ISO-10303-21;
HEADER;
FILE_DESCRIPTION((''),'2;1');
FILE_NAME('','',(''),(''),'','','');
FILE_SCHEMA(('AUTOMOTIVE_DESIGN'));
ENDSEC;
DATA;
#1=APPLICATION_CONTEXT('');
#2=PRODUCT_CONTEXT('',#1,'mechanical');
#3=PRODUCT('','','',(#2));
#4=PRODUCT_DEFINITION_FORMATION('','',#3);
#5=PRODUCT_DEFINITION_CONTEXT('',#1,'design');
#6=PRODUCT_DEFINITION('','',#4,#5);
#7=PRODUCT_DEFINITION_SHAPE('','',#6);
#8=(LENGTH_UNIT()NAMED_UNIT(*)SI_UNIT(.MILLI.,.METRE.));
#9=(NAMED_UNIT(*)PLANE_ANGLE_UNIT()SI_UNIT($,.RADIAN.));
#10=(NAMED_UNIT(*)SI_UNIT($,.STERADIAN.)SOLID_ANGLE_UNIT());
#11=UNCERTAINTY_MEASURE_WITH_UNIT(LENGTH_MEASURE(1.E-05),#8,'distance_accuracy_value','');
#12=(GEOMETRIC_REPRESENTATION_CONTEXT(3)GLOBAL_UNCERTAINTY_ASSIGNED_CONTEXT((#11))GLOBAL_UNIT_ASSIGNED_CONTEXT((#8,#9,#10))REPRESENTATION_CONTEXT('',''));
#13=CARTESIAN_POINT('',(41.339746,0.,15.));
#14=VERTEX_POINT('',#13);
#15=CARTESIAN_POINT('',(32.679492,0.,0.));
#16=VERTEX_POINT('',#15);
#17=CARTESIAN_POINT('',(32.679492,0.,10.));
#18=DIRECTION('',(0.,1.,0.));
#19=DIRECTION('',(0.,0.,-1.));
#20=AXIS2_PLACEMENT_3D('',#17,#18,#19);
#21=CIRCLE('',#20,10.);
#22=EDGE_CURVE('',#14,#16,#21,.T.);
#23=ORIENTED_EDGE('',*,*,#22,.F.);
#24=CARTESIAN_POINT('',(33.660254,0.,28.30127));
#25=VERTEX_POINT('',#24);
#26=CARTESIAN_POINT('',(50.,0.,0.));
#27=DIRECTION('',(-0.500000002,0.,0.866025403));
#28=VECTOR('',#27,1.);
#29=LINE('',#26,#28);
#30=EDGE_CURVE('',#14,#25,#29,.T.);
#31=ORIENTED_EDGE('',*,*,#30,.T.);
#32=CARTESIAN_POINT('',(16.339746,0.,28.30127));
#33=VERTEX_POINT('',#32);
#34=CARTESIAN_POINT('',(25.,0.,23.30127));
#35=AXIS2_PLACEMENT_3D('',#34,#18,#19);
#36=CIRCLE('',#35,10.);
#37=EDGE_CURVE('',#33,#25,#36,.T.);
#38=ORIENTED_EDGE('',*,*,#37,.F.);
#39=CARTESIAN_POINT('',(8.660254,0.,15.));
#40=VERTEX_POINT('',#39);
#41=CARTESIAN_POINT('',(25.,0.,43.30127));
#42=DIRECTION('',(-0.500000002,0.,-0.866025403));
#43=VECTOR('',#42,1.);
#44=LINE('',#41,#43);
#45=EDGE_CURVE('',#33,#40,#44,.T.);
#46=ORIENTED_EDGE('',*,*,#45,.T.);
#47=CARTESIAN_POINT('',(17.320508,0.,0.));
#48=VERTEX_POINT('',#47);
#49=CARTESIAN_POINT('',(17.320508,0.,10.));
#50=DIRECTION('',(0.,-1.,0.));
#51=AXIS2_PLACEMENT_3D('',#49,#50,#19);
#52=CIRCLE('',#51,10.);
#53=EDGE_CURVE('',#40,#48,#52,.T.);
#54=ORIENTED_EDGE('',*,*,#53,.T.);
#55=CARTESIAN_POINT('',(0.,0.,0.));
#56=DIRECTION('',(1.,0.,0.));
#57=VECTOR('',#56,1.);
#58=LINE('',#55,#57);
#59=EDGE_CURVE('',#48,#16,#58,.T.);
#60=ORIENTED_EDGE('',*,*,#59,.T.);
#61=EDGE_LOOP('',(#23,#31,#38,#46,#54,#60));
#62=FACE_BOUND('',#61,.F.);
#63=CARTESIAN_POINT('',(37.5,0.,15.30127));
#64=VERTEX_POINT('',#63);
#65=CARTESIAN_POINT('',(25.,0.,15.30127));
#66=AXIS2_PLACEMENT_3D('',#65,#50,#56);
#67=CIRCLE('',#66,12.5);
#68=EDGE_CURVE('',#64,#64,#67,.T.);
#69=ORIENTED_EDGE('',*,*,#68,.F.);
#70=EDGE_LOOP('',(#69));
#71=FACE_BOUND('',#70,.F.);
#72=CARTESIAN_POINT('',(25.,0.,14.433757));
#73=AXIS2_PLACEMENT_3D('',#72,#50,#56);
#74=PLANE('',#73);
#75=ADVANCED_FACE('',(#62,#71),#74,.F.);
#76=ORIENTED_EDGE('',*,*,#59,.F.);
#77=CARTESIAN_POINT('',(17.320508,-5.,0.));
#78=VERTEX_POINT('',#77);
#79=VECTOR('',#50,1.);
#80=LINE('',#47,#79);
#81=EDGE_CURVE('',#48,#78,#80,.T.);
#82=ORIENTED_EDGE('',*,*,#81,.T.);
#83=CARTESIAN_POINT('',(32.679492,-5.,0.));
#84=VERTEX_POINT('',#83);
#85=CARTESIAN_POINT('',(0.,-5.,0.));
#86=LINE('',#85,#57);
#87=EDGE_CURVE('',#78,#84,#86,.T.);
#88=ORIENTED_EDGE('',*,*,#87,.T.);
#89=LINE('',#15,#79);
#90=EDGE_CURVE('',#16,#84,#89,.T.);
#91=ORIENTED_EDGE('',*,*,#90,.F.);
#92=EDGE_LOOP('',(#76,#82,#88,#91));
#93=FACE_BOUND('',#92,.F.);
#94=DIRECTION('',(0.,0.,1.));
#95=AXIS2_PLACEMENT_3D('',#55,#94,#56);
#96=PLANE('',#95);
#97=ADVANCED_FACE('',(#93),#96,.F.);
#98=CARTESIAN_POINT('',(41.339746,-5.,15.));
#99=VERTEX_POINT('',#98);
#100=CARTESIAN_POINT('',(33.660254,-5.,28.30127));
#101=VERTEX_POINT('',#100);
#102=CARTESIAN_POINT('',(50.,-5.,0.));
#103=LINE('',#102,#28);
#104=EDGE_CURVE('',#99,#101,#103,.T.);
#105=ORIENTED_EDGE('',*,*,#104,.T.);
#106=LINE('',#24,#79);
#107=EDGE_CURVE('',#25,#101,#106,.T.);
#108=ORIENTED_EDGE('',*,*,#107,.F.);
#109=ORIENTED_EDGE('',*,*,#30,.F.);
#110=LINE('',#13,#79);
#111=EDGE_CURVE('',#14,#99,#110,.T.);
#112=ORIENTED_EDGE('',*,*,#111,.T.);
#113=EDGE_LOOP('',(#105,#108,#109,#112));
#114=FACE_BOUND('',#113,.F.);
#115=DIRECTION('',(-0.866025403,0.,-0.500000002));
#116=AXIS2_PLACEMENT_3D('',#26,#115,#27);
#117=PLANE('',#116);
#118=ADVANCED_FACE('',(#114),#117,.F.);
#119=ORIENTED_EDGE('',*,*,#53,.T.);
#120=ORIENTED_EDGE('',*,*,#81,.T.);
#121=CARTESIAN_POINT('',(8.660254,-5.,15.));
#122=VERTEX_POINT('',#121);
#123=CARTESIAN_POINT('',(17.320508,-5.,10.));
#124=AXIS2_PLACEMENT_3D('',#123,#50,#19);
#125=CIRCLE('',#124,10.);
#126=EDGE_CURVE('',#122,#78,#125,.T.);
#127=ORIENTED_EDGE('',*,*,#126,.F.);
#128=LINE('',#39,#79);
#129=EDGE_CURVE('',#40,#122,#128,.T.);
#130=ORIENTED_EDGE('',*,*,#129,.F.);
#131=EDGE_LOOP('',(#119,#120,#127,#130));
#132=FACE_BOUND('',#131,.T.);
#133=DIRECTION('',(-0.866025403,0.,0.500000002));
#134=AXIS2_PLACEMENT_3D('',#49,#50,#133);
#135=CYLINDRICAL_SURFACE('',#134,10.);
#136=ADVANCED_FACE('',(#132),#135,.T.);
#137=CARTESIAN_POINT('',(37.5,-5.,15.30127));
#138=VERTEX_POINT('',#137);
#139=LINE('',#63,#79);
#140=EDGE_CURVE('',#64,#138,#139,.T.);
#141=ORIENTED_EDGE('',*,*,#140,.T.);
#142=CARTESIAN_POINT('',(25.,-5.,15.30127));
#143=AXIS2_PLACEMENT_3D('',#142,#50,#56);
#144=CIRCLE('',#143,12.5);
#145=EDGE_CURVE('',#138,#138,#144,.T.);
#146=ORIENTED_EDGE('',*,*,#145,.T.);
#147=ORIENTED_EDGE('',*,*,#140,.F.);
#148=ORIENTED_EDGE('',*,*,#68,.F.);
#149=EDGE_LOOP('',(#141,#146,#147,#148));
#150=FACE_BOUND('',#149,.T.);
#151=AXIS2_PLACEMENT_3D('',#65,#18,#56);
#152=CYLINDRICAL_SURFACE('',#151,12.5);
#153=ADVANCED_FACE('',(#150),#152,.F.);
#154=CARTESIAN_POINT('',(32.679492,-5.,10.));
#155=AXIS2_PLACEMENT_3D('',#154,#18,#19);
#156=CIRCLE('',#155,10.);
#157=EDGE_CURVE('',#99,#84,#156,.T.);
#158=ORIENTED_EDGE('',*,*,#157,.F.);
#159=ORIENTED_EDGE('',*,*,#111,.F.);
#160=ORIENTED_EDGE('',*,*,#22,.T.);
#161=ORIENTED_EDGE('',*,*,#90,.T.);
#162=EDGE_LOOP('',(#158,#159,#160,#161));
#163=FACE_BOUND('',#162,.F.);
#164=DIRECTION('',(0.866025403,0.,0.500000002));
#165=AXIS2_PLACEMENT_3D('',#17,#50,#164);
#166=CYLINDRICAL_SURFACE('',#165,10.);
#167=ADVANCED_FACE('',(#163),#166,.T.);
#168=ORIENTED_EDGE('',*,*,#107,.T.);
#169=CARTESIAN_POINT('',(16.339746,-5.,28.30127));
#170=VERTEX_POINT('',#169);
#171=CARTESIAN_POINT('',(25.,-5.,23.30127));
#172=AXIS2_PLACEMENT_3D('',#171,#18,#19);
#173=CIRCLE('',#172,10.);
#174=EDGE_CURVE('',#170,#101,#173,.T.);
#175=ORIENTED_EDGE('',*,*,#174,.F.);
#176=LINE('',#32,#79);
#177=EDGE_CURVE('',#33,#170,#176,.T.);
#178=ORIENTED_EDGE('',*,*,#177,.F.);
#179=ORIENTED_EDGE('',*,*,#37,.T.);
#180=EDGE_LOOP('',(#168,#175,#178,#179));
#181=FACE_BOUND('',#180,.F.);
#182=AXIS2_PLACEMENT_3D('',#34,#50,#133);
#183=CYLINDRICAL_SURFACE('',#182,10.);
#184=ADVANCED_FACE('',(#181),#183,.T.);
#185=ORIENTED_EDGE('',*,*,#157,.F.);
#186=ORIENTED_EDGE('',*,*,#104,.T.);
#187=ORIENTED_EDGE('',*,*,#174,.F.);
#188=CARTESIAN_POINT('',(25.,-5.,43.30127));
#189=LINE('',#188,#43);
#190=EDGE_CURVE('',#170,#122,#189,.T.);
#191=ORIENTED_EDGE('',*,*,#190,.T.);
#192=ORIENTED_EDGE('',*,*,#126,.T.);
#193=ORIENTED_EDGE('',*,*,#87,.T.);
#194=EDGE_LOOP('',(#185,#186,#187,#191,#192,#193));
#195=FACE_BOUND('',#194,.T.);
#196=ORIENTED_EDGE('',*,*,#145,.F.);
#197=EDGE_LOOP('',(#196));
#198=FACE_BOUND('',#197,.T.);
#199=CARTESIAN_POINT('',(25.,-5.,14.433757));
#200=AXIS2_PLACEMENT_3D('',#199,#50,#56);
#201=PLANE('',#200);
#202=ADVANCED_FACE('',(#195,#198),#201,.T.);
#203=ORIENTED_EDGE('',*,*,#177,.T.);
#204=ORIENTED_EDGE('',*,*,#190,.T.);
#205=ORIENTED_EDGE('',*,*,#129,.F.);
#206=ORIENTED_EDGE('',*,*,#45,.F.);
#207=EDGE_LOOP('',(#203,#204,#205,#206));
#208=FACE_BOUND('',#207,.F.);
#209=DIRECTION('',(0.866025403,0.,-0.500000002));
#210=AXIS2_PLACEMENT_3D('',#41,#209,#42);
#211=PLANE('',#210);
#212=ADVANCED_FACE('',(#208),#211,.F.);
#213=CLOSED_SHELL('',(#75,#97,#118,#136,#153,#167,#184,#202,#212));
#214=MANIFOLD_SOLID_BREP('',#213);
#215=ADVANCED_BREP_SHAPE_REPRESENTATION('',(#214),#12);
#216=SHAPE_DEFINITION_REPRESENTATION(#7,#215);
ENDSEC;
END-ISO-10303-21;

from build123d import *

# Parameters (mm, degrees)
F0_R     = 12.5
F1_DEPTH = 5
F2_R     = 10


with BuildPart() as f1:
    # F0 (on Front) → F1 (new body)
    with BuildSketch(Plane.XZ):
        Polygon((25, 43.30127), (0, 0), (50, 0), align=None)
        with Locations((25, 15.30127)):
            Circle(F0_R, mode=Mode.SUBTRACT)
    extrude(amount=F1_DEPTH)

    # F2
    f2_edges = [f1.edges().sort_by_distance(p)[0] for p in [
        (25, -2.5, 43.30127),
        (0, -2.5, 0),
        (50, -2.5, 0),
    ]]
    fillet(f2_edges, radius=F2_R)


solid = f1.part
